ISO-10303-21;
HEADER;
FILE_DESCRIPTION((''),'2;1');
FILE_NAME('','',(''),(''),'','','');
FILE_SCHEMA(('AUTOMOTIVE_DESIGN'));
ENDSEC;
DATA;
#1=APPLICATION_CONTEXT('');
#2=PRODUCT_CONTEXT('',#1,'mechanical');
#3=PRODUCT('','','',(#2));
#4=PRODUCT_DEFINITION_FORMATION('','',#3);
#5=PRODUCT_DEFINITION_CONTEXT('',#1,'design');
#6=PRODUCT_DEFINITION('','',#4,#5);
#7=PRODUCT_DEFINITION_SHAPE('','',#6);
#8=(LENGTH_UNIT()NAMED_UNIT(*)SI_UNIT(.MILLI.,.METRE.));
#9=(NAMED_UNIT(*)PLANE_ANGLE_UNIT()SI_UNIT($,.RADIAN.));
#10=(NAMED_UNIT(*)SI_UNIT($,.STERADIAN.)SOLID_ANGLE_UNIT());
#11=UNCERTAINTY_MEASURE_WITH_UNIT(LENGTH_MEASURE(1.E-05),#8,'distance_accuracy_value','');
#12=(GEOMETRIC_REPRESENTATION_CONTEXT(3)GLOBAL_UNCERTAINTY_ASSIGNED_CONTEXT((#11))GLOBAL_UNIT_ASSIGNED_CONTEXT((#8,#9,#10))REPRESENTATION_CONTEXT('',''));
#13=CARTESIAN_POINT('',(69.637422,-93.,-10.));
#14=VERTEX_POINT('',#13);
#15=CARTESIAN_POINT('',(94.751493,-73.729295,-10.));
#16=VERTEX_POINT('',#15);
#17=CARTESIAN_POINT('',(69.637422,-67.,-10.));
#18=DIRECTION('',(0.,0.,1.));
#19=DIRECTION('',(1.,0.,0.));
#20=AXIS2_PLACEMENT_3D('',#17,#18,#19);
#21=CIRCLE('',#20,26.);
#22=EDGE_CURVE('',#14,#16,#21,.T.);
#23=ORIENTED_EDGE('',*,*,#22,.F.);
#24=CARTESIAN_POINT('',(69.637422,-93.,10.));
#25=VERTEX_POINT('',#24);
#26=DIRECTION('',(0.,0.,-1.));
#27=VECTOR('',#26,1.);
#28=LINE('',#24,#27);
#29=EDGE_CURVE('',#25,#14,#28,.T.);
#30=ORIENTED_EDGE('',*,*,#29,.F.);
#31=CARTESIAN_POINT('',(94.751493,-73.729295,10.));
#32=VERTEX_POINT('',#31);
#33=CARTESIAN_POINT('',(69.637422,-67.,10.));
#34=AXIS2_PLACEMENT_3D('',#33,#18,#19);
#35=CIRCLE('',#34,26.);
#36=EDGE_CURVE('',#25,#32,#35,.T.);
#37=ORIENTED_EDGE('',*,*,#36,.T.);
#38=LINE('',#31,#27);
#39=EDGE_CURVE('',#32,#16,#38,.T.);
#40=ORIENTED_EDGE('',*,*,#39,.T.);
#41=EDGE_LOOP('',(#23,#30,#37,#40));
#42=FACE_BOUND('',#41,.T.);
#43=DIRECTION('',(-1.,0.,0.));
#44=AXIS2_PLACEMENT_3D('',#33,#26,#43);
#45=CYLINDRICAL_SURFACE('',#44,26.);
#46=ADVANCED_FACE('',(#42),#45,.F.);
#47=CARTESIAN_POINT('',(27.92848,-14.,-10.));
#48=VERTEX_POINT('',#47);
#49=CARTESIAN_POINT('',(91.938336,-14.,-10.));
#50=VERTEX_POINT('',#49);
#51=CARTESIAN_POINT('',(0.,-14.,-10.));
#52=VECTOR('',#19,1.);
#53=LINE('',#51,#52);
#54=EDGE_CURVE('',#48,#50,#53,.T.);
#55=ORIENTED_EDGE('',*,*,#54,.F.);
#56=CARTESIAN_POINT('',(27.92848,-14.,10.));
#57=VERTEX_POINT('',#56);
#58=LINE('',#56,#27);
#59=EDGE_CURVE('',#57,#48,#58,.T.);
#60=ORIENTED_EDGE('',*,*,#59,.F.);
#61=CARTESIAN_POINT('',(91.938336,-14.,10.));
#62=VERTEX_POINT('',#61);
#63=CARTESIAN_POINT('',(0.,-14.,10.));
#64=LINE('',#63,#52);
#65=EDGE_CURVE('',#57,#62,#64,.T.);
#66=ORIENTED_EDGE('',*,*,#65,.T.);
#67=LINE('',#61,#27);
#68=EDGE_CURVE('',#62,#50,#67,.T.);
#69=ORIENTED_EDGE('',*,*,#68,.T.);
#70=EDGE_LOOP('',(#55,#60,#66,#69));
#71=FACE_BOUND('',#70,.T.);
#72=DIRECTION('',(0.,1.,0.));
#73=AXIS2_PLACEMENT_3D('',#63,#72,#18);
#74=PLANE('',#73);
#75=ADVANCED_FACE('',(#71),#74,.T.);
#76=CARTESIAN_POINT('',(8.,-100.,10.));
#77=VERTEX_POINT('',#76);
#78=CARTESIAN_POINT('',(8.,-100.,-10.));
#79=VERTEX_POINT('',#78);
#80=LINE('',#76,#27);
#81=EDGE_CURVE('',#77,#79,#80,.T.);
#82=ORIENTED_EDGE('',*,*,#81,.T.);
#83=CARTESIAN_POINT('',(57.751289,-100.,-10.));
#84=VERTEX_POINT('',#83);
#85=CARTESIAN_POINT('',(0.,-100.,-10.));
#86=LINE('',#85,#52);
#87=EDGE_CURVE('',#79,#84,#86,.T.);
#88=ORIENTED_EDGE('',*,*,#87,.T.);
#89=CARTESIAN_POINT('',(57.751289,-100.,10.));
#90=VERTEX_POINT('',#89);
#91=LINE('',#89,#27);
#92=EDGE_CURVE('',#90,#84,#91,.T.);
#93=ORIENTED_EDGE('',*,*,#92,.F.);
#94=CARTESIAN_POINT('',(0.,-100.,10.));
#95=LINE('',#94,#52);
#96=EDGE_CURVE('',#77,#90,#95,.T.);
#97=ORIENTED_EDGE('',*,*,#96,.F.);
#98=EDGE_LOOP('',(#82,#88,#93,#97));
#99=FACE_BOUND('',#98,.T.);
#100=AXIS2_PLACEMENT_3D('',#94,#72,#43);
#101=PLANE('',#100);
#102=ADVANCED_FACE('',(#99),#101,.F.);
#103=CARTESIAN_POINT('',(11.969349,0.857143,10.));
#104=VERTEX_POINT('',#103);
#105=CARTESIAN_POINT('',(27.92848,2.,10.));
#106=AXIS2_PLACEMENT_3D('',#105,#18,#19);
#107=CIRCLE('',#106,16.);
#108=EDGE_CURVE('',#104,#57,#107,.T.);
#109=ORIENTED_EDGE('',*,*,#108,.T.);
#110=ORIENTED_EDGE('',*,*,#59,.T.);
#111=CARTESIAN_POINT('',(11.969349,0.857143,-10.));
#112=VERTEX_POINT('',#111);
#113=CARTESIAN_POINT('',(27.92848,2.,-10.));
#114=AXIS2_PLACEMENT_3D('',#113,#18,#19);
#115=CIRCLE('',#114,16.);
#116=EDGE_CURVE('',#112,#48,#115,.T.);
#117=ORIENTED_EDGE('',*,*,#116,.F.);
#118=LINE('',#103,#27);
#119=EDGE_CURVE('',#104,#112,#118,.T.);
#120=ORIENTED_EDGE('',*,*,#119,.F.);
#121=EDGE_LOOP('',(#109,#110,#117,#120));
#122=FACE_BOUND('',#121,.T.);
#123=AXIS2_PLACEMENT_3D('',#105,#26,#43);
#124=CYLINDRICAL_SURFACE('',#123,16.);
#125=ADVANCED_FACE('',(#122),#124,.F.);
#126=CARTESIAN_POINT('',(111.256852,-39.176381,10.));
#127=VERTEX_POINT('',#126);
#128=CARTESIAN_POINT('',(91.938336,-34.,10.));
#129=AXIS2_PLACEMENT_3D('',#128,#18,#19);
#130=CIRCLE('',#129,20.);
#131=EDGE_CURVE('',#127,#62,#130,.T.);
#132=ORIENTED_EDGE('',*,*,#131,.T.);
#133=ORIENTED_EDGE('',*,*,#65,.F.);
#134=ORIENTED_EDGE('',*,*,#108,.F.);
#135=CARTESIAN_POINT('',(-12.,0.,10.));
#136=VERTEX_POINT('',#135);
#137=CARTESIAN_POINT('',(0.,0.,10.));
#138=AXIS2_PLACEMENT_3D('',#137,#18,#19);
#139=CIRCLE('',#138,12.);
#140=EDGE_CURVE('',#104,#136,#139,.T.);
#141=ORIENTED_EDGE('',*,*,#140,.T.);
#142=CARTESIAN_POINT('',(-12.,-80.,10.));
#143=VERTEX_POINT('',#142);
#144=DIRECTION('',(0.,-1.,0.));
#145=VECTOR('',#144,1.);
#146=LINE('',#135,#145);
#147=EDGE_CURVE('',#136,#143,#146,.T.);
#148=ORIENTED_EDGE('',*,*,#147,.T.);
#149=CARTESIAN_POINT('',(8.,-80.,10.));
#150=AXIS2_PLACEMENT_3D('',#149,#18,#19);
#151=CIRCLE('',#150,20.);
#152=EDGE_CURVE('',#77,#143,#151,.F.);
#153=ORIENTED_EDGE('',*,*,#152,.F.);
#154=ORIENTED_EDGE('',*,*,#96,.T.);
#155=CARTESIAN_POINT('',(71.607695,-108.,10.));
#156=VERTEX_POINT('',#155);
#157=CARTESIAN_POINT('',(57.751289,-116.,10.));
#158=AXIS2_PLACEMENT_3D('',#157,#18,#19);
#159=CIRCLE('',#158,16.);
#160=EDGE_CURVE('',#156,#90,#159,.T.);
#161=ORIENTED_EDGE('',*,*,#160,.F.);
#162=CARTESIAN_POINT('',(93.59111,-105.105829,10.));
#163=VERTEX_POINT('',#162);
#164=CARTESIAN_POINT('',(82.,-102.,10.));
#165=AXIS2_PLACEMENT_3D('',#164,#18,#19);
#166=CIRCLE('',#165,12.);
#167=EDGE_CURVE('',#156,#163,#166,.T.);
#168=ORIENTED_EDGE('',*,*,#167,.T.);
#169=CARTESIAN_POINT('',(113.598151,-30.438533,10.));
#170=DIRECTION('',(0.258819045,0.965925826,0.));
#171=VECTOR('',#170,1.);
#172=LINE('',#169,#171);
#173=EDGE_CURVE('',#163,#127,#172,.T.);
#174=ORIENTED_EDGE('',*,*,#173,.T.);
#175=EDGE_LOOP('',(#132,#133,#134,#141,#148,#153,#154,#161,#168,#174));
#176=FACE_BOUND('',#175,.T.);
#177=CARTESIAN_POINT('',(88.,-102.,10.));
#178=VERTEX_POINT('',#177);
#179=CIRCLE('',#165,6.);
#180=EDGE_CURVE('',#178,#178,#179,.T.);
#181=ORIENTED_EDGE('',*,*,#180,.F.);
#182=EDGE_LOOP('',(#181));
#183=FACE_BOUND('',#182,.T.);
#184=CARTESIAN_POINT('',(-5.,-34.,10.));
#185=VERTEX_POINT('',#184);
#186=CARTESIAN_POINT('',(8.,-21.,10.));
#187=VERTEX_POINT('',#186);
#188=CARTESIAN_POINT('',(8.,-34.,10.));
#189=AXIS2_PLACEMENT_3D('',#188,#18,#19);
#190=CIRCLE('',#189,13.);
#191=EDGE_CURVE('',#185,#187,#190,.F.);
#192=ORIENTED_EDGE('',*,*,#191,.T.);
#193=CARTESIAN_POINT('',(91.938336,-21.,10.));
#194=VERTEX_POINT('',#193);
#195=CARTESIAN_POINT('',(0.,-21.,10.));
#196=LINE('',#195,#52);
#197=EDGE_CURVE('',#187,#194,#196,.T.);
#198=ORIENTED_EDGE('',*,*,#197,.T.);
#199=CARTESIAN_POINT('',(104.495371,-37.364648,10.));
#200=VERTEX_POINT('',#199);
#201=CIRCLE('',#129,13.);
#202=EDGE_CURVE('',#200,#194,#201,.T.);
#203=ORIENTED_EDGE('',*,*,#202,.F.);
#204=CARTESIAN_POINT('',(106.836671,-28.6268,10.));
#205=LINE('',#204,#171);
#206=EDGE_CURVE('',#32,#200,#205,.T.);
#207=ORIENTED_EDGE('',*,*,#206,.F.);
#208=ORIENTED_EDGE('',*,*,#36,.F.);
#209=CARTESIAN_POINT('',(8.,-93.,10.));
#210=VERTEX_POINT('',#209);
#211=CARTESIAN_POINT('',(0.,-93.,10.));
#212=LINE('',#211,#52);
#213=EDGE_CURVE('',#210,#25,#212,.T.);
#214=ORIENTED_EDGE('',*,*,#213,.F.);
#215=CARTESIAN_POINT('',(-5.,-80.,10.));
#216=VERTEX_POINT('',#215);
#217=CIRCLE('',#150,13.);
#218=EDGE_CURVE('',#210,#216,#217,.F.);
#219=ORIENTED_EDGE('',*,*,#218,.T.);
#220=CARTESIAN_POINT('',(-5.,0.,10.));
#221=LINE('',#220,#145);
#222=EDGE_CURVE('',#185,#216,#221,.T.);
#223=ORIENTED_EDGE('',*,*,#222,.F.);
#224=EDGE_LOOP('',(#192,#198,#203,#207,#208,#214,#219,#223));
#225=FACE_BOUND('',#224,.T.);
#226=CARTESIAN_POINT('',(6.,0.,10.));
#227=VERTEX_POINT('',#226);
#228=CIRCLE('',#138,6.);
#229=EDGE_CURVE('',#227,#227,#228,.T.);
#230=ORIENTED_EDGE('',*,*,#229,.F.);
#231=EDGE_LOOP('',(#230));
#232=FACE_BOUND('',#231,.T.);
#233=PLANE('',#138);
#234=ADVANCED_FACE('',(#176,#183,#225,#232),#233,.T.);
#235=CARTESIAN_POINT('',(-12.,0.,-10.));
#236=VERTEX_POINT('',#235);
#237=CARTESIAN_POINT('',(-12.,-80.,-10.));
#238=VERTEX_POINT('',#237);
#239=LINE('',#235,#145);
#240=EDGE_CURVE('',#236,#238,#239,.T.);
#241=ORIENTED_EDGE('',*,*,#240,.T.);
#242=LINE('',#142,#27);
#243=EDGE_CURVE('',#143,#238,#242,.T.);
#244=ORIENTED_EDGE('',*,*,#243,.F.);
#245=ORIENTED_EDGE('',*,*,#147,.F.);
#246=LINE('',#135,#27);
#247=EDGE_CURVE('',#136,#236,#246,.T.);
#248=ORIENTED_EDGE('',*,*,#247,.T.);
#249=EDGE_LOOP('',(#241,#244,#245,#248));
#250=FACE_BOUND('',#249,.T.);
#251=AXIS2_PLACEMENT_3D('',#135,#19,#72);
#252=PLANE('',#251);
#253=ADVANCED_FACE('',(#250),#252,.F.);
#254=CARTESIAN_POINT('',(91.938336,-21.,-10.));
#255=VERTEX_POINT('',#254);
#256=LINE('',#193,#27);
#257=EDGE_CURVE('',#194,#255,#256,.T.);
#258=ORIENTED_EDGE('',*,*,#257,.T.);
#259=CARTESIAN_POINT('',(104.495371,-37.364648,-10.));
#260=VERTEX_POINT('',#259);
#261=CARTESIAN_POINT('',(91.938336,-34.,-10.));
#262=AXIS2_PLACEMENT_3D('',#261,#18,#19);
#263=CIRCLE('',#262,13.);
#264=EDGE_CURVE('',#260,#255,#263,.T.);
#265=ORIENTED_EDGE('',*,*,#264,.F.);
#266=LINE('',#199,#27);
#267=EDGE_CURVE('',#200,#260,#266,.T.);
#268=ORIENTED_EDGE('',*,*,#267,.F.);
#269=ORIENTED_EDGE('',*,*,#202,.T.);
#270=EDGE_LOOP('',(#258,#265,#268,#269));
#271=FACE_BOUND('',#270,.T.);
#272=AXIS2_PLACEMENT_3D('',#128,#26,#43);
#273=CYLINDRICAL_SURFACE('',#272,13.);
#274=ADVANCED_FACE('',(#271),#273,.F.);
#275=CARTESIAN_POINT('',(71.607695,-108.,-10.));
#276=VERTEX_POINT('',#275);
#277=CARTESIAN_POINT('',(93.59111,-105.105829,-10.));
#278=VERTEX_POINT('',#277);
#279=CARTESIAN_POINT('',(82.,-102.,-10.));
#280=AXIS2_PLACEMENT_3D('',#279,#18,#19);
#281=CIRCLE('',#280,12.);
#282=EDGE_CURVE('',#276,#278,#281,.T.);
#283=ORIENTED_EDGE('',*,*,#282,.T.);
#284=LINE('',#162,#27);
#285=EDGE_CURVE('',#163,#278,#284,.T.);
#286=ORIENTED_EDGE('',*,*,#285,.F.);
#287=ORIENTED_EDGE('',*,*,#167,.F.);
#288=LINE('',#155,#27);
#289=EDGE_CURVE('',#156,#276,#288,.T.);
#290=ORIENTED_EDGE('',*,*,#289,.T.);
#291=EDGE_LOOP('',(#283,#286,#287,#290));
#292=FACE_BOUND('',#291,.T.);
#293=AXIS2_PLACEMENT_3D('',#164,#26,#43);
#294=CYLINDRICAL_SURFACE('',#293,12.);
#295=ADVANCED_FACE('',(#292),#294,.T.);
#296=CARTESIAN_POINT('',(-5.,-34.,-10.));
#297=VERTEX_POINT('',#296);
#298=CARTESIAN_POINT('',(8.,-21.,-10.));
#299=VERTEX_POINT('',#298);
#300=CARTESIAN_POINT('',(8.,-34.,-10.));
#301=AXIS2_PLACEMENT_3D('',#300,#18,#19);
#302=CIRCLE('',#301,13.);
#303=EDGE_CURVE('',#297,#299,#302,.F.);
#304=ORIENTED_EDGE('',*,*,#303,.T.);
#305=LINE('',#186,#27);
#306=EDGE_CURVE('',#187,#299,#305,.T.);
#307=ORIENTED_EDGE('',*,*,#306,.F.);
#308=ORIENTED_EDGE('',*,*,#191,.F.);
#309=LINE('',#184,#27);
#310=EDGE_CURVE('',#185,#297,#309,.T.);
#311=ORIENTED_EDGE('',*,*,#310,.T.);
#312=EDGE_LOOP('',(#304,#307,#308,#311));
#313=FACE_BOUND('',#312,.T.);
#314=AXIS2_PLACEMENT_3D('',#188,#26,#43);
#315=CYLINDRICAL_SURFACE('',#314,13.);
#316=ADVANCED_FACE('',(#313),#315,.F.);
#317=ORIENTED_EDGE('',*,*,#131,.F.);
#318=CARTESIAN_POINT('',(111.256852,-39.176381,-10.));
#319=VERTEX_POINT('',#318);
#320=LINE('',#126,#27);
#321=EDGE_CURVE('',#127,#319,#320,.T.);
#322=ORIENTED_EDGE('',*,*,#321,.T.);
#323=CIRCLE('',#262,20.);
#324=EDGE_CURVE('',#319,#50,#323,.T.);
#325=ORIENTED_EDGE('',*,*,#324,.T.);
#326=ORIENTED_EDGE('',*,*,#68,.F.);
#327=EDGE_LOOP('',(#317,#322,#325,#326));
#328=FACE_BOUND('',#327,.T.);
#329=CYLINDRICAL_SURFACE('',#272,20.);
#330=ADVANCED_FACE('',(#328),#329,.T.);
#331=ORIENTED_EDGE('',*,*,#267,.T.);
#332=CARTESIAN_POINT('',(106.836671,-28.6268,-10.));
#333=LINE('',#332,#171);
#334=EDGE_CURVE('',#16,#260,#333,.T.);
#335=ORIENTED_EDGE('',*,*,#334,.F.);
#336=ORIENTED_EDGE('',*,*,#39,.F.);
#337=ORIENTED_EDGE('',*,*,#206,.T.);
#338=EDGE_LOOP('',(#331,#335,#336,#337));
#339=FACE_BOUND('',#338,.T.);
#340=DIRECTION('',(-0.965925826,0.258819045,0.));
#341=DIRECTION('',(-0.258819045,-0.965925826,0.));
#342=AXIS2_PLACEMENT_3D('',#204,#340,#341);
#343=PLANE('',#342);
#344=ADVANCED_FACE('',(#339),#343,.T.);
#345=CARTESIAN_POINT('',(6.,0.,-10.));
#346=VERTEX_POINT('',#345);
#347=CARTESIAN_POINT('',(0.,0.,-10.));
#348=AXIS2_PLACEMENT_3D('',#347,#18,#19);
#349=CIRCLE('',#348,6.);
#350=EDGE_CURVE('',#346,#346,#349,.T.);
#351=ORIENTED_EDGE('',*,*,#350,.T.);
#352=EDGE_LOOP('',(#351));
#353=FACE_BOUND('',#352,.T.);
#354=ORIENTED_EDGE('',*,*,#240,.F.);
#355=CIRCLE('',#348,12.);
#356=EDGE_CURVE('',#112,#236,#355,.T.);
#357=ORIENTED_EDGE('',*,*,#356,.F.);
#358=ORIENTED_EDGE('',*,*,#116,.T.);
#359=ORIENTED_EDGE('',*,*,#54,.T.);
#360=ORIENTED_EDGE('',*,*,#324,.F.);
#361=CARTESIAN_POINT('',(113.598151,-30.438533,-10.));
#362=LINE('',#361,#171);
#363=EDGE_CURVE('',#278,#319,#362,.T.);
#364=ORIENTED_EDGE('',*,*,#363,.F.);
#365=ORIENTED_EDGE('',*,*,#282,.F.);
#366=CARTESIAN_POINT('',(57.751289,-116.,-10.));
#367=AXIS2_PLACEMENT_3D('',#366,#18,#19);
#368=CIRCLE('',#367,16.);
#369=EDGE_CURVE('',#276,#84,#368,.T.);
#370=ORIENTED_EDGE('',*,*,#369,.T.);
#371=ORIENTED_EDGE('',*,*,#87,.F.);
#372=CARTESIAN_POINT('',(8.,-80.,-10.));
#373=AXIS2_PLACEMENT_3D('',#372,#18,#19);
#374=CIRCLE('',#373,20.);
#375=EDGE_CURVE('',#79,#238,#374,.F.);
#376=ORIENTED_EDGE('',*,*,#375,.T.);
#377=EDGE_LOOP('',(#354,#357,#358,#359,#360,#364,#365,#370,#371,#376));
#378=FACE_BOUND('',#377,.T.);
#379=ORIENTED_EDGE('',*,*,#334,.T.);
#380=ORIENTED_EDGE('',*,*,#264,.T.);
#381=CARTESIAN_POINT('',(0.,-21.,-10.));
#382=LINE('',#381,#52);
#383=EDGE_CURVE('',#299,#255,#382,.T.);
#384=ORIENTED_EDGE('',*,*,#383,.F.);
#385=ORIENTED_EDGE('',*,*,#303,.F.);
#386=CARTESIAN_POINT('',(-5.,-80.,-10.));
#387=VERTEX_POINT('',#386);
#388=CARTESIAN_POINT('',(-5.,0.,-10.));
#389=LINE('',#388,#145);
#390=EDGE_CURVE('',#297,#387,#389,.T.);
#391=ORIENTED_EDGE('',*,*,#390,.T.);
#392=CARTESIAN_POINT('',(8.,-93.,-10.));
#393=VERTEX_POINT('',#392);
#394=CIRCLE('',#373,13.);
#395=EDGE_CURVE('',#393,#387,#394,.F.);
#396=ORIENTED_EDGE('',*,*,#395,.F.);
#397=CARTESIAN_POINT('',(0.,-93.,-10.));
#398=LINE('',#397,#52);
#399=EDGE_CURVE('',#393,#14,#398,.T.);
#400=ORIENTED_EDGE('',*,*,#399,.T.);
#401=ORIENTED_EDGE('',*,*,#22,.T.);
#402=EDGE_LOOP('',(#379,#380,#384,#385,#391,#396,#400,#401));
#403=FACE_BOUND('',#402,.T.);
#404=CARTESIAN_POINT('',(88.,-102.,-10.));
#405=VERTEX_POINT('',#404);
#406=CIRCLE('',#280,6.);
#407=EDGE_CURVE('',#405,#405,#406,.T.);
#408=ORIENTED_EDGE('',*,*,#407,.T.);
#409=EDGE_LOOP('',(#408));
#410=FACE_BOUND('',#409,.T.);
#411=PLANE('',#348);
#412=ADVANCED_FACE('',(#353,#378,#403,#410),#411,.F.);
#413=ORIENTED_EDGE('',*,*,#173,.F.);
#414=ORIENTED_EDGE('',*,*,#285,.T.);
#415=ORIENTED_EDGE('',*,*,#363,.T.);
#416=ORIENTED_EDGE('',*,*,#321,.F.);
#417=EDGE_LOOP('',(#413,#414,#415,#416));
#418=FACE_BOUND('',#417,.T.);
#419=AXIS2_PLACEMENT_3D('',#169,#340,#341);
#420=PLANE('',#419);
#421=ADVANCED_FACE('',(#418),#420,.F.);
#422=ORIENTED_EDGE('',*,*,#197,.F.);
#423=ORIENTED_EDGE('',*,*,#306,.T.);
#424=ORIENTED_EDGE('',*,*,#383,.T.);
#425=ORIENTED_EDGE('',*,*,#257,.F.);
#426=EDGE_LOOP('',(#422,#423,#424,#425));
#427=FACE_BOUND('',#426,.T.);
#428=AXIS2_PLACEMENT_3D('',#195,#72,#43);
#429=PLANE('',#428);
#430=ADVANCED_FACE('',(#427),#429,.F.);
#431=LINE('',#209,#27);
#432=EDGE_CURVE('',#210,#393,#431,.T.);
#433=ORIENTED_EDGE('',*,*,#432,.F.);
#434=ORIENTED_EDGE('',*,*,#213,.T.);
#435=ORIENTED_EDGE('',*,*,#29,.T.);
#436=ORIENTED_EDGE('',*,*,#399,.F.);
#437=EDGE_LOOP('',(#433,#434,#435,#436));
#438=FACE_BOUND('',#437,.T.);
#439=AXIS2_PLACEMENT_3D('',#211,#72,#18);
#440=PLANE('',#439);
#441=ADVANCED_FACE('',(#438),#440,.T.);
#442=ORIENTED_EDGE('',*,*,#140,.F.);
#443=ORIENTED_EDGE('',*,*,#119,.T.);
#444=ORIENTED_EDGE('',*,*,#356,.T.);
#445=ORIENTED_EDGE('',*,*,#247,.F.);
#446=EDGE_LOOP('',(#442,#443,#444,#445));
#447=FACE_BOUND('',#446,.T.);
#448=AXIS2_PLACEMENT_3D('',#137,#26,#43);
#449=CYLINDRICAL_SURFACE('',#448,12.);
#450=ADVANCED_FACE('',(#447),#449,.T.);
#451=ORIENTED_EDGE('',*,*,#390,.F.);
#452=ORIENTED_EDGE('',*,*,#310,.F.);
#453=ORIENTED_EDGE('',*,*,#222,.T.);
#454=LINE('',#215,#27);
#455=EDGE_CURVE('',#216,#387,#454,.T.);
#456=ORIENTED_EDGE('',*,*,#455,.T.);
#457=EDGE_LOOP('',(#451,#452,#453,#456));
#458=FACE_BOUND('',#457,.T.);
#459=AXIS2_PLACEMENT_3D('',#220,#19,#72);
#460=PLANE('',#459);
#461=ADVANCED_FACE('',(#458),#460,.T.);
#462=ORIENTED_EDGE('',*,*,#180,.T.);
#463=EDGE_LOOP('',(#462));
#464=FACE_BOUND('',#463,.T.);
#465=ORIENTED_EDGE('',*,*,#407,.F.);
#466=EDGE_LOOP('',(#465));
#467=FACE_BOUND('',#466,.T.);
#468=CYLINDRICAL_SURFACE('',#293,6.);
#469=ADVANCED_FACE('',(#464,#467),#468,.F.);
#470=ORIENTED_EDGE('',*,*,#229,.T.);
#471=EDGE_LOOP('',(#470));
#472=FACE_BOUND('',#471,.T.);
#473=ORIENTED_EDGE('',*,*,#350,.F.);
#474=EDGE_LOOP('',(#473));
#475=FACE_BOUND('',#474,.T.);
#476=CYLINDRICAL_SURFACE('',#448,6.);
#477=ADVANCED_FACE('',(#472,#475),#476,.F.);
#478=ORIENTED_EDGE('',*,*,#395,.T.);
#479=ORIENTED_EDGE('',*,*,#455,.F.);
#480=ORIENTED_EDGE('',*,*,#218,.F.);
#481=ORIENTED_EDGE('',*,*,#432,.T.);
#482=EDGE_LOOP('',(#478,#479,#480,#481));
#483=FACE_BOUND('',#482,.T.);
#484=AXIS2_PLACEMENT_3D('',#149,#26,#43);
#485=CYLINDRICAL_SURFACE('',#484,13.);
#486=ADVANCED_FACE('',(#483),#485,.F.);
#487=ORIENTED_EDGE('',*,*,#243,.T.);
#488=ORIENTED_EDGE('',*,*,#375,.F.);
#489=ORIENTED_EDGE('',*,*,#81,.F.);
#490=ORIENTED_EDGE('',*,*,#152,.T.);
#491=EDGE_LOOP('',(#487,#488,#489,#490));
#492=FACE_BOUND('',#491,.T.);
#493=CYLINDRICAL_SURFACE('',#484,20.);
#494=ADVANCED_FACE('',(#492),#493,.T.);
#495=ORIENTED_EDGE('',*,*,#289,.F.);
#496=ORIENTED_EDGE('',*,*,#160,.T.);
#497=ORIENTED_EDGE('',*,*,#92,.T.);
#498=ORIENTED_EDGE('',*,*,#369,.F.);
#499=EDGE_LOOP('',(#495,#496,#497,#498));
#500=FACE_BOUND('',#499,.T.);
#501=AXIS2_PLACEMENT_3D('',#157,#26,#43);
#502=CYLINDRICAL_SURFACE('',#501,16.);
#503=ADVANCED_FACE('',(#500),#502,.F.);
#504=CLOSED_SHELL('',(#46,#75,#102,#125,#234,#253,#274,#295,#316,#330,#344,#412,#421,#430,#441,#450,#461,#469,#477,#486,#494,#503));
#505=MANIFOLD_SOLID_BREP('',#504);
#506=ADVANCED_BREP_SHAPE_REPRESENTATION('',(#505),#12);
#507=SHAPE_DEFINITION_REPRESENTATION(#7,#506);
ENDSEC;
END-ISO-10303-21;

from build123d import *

# Parameters (mm, degrees)
SKETCH1_R           = 6
BOSS_EXTRUDE2_DEPTH = 10


with BuildPart() as part:
    # Sketch1 → Boss-Extrude2 (new, symmetric)
    with BuildSketch(Plane.XY):
        with BuildLine():
            ThreePointArc((27.928480088, -14), (17.026317786, -9.710800875), (11.969348609, 0.857142857))
            ThreePointArc((11.969348609, 0.857142857), (-0.428845364, 11.992334704), (-12, 0))
            Line((-12, 0), (-12, -80))
            ThreePointArc((-12, -80), (-6.142135624, -94.142135624), (8, -100))
            Line((8, -100), (57.751288694, -100))
            ThreePointArc((57.751288694, -100), (65.751288694, -102.143593539), (71.607695155, -108))
            ThreePointArc((71.607695155, -108), (83.566314307, -113.897338336), (93.591109915, -105.105828541))
            Line((93.591109915, -105.105828541), (111.256852168, -39.176380902))
            ThreePointArc((111.256852168, -39.176380902), (107.805402448, -21.82477142), (91.938335642, -14))
            Line((91.938335642, -14), (27.928480088, -14))
        make_face()
        with Locations((82, -102)):
            Circle(SKETCH1_R, mode=Mode.SUBTRACT)
        with BuildLine():
            Line((-5, -80), (-5, -34))
            ThreePointArc((-5, -34), (-1.192388155, -24.807611845), (8, -21))
            Line((8, -21), (91.938335642, -21))
            ThreePointArc((91.938335642, -21), (102.251929066, -26.086101423), (104.495371384, -37.364647586))
            Line((104.495371384, -37.364647586), (94.75149343, -73.729295173))
            ThreePointArc((94.75149343, -73.729295173), (85.465219101, -87.627186848), (69.637421946, -93))
            Line((69.637421946, -93), (8, -93))
            ThreePointArc((8, -93), (-1.192388155, -89.192388155), (-5, -80))
        make_face(mode=Mode.SUBTRACT)
        Circle(SKETCH1_R, mode=Mode.SUBTRACT)
    extrude(amount=BOSS_EXTRUDE2_DEPTH, both=True)


solid = part.part
